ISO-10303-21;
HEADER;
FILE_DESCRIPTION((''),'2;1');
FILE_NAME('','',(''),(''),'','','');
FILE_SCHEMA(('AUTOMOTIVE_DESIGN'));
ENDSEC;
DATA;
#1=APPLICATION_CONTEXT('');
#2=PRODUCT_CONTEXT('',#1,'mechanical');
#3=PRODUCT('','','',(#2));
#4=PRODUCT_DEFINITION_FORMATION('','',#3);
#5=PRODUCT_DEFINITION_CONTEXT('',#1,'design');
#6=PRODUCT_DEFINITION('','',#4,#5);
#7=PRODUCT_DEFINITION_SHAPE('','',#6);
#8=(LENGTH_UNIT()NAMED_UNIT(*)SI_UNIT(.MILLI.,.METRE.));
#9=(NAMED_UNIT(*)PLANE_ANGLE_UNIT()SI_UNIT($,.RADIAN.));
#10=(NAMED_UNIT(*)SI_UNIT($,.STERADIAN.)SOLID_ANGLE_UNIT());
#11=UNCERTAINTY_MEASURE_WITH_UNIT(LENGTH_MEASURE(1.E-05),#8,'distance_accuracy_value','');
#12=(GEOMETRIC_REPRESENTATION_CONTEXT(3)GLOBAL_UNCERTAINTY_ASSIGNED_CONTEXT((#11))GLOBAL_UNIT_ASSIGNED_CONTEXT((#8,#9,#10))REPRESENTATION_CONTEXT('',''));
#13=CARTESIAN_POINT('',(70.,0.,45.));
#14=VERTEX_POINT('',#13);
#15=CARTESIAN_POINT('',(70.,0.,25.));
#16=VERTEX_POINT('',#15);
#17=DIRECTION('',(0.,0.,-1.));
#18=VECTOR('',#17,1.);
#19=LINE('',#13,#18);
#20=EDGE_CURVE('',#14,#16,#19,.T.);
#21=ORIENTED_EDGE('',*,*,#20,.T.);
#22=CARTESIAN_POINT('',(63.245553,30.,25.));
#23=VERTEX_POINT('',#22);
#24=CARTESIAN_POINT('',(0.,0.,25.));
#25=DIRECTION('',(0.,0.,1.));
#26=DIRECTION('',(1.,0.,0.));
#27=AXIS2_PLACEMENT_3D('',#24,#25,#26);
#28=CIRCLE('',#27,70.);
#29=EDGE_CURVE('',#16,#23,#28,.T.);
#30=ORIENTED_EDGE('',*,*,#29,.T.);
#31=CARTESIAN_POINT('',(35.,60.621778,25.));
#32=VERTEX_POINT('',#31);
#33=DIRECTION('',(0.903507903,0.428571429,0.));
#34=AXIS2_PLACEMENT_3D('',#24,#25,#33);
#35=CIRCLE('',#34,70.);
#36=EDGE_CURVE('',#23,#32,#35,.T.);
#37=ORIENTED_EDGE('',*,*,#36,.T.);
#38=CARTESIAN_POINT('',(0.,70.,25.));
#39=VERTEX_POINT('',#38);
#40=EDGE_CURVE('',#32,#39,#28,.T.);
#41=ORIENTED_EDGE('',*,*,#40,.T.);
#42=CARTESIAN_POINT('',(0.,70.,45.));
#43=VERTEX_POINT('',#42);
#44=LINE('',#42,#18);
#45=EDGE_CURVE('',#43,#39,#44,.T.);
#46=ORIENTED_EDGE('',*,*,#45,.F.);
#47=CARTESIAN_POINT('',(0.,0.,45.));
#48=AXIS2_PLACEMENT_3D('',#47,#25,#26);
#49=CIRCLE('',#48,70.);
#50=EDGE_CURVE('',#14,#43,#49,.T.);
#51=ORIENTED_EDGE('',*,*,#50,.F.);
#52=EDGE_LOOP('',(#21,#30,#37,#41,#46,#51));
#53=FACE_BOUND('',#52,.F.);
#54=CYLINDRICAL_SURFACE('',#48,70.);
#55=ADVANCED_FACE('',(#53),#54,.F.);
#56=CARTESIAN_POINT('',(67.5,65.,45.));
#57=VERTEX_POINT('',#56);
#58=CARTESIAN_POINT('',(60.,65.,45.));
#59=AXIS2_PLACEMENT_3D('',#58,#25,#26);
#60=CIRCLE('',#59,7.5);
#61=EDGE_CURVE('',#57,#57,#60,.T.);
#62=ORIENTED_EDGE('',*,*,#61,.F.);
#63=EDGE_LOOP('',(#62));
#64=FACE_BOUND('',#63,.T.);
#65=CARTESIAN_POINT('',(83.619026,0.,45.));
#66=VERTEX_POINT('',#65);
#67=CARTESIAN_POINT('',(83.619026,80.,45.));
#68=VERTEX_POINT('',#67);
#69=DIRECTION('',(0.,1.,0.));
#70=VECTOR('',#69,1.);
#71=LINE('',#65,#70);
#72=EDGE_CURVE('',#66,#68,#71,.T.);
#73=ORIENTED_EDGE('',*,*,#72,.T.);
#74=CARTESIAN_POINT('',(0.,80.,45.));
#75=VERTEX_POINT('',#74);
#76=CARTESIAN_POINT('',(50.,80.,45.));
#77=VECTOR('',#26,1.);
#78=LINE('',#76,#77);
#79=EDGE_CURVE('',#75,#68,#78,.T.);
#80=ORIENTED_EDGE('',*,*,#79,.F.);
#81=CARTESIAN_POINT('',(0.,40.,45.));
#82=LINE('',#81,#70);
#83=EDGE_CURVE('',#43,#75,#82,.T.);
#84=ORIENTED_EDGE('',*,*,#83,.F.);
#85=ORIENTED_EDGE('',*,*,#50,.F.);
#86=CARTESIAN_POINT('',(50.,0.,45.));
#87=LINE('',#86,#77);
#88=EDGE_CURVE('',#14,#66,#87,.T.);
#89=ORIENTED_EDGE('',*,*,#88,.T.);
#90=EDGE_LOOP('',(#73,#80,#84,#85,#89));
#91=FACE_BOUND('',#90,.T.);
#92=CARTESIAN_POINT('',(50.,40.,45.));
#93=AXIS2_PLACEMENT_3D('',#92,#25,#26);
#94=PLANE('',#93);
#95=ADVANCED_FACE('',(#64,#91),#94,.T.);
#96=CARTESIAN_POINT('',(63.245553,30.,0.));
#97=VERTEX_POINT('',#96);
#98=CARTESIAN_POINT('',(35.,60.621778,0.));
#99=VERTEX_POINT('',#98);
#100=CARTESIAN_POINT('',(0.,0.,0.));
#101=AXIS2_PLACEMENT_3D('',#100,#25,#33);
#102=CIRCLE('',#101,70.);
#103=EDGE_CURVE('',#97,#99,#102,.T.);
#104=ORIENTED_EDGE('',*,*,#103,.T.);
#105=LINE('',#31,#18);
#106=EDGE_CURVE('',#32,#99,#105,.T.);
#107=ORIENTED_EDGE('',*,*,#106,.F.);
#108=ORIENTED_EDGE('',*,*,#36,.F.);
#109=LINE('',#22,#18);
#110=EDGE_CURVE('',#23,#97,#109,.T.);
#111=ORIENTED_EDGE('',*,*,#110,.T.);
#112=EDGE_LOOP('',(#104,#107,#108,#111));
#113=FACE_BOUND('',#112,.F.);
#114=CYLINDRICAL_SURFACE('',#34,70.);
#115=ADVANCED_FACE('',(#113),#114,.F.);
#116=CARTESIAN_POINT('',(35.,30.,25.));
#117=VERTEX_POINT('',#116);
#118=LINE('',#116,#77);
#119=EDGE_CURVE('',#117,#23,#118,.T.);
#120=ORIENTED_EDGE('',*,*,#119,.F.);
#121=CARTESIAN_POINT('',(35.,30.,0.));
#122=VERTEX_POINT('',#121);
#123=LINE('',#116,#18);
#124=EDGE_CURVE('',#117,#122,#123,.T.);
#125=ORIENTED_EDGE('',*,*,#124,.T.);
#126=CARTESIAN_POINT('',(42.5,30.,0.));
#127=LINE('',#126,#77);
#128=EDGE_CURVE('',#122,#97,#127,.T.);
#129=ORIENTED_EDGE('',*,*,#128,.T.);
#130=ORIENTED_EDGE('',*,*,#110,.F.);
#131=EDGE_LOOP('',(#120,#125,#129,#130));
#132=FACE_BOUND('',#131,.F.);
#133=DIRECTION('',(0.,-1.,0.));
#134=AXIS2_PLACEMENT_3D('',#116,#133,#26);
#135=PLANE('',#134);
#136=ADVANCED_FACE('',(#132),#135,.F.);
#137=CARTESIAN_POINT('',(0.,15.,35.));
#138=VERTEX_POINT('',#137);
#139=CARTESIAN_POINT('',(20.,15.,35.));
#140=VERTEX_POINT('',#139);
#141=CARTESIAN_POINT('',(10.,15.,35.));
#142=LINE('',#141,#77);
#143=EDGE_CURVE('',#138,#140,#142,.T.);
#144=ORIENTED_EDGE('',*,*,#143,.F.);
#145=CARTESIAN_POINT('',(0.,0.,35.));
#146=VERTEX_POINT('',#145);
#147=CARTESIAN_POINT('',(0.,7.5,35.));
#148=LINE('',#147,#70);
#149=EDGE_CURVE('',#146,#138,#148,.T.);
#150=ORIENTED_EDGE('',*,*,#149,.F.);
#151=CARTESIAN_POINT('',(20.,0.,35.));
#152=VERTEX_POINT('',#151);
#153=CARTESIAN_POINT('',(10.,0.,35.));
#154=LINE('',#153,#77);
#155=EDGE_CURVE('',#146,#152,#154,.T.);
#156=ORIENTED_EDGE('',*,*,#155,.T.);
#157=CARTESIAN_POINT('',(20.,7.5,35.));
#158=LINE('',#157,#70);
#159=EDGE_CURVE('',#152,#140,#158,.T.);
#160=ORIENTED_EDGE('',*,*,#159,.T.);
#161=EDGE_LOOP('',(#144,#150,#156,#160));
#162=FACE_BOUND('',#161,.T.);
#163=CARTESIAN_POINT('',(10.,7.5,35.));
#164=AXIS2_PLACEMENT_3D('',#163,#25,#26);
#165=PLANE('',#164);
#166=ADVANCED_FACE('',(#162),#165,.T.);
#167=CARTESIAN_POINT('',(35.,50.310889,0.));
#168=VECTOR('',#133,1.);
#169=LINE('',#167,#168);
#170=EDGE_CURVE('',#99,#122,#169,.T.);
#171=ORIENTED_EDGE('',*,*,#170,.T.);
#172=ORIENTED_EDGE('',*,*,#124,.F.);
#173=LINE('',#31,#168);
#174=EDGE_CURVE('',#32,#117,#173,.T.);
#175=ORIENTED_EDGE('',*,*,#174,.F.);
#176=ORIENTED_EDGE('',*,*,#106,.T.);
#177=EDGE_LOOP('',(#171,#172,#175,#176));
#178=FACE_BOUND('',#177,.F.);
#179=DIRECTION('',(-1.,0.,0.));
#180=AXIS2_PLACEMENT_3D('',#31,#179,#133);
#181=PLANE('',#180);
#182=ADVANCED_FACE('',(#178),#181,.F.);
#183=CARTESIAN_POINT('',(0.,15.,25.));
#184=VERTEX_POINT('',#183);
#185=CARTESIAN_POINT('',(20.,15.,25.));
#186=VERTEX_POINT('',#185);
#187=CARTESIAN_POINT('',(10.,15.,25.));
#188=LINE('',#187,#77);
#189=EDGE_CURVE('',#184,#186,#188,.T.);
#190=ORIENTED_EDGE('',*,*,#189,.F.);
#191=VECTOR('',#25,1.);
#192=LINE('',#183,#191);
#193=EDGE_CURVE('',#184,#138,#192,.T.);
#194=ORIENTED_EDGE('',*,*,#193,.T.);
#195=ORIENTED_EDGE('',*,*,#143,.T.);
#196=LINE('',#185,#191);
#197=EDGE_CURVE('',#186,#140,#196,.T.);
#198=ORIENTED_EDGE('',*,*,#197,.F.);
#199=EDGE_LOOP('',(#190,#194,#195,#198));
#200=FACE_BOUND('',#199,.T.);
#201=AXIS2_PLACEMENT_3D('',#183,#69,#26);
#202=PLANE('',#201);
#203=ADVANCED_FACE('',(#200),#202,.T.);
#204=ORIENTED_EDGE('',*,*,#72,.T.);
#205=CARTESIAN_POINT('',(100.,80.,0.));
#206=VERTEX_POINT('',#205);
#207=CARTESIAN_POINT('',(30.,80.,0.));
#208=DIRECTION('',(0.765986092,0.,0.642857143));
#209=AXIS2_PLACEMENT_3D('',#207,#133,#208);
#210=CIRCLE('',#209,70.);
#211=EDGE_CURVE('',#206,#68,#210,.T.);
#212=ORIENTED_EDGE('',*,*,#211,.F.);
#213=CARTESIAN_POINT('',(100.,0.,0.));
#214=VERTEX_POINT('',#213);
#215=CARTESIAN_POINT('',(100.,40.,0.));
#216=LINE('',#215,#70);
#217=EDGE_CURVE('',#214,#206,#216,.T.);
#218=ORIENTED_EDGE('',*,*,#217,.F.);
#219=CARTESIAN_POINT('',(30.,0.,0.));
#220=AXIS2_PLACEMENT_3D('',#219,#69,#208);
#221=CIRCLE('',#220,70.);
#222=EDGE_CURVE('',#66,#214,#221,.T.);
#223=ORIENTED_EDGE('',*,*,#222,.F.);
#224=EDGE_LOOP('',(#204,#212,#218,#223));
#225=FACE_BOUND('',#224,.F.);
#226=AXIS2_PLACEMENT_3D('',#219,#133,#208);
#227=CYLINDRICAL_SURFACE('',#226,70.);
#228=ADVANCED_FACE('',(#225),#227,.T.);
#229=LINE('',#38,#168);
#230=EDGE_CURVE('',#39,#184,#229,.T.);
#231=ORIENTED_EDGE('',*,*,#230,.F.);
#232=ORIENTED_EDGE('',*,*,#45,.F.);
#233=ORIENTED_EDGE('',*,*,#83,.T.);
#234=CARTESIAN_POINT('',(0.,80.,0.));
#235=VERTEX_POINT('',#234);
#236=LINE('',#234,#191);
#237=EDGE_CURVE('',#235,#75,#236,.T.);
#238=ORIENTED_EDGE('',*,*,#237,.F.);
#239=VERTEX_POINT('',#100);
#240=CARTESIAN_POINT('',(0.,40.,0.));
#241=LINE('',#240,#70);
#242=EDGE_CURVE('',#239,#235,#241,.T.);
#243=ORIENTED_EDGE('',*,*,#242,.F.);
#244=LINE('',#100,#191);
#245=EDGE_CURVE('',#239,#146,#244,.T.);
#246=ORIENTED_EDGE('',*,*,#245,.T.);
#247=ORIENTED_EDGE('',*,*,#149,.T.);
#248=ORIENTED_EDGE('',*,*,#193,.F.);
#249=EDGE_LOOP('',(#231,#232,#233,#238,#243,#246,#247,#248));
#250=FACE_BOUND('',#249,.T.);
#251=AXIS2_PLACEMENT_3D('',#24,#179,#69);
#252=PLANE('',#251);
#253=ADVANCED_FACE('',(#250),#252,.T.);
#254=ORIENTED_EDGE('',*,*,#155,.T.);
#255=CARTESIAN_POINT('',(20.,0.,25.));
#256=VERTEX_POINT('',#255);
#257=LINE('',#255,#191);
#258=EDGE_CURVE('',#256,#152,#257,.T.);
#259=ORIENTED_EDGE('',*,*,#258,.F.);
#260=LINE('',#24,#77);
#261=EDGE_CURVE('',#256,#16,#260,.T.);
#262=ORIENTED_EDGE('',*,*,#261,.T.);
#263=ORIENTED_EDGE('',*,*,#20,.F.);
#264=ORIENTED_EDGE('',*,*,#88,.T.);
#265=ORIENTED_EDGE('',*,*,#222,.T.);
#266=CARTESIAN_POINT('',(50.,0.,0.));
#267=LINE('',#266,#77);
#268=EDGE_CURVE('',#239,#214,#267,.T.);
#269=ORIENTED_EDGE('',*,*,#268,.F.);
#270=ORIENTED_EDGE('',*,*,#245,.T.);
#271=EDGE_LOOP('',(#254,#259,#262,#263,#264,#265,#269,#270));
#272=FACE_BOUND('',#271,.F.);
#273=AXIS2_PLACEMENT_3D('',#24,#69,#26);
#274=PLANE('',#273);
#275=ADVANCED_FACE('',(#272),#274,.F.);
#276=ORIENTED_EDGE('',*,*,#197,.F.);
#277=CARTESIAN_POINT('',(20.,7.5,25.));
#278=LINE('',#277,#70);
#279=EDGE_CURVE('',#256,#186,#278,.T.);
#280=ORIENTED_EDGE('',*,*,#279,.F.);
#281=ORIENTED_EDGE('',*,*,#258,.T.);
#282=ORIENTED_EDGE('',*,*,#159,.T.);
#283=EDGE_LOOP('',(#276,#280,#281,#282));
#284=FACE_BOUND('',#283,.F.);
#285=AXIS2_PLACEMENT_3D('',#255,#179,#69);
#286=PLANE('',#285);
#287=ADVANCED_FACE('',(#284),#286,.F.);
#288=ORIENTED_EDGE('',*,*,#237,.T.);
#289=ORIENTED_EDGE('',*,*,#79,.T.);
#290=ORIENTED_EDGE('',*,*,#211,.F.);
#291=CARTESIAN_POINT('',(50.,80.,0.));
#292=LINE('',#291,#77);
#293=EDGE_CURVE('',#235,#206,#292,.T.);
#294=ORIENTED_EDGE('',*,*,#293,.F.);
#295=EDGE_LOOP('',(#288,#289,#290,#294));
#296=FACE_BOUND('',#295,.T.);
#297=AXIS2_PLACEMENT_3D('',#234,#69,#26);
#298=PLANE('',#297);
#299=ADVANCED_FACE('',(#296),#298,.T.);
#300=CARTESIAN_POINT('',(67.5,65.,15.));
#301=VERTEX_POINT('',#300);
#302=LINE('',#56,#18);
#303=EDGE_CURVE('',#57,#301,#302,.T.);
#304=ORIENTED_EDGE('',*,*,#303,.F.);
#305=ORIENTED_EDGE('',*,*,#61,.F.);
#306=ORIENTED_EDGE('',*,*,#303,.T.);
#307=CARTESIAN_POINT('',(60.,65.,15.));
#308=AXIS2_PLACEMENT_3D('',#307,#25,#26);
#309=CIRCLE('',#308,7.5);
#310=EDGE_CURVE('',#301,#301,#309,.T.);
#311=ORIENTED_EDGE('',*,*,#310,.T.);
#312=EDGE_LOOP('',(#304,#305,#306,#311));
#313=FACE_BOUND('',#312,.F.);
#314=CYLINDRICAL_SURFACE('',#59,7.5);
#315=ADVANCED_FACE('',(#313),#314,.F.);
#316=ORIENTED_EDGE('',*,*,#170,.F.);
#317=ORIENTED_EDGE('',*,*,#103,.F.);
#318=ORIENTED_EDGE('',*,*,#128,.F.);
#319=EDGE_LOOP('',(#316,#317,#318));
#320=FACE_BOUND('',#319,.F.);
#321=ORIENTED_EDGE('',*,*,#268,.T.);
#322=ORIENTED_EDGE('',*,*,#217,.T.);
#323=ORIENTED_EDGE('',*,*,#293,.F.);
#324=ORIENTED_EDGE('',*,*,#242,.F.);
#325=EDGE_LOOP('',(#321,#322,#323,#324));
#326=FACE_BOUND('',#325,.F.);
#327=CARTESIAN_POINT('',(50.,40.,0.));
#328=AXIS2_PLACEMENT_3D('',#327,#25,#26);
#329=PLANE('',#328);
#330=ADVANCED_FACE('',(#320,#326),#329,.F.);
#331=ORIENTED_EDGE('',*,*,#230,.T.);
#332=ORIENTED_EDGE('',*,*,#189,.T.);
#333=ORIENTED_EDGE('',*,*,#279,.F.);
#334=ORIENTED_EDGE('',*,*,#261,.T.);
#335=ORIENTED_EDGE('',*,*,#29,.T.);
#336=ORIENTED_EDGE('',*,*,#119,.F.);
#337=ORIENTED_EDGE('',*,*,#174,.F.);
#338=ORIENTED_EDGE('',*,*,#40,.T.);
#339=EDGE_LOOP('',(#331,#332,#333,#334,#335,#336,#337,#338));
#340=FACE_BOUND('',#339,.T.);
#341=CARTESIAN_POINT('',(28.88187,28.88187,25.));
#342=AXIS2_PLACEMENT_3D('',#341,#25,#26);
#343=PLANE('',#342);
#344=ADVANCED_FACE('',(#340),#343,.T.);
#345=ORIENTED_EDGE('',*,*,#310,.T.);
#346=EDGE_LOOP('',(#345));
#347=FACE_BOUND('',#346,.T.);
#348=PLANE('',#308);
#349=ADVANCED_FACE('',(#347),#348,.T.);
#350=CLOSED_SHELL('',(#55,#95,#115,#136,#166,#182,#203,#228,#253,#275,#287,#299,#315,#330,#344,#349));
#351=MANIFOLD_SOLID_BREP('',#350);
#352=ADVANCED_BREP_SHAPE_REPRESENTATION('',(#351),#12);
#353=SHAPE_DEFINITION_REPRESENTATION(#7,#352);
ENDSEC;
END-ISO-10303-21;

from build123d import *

# Parameters (mm, degrees)
F0_W      = 100
F0_H      = 80
F1_DEPTH  = 45
F3_DEPTH  = 20
F4_W      = 20
F4_H      = 15
F5_DEPTH  = 10
F7_DEPTH  = 25.001
F8_R      = 7.5
F9_DEPTH  = 30
F11_DEPTH = 80.001


with BuildPart() as f1:
    # F0 (on Top) → F1 (new body)
    with BuildSketch(Plane.XY):
        with Locations((50, 40)):
            Rectangle(F0_W, F0_H)
    extrude(amount=F1_DEPTH)

    # F2 (on face) → F3 (cut)
    with BuildSketch(Plane.XY.offset(45)):
        with BuildLine():
            Line((0, 0), (70, 0))
            ThreePointArc((70, 0), (49.4974746831, 49.4974746831), (0, 70))
            Line((0, 70), (0, 0))
        make_face()
    extrude(amount=-F3_DEPTH, mode=Mode.SUBTRACT)

    # F4 (on face) → F5 (join)
    with BuildSketch(Plane.XY.offset(25)):
        with Locations((10, 7.5)):
            Rectangle(F4_W, F4_H)
    extrude(amount=F5_DEPTH)

    # F6 (on face) → F7 (cut, through all)
    with BuildSketch(Plane.XY.offset(25)):
        with BuildLine():
            Line((35, 60.6217782649), (35, 30))
            Line((35, 30), (63.2455532034, 30))
            ThreePointArc((63.2455532034, 30), (51.4535762322, 47.4608206094), (35, 60.6217782649))
        make_face()
    extrude(amount=-F7_DEPTH, mode=Mode.SUBTRACT)

    # F8 (on face) → F9 (cut)
    with BuildSketch(Plane.XY.offset(45)):
        with Locations((60, 65)):
            Circle(F8_R)
    extrude(amount=-F9_DEPTH, mode=Mode.SUBTRACT)

    # F10 (on face) → F11 (cut, through all)
    with BuildSketch(Plane.XZ):
        with BuildLine():
            ThreePointArc((83.6190264738, 45), (95.7773967757, 23.944395449), (100, 0))
            Line((100, 0), (100, 45))
            Line((100, 45), (83.6190264738, 45))
        make_face()
    extrude(amount=-F11_DEPTH, mode=Mode.SUBTRACT)


solid = f1.part
